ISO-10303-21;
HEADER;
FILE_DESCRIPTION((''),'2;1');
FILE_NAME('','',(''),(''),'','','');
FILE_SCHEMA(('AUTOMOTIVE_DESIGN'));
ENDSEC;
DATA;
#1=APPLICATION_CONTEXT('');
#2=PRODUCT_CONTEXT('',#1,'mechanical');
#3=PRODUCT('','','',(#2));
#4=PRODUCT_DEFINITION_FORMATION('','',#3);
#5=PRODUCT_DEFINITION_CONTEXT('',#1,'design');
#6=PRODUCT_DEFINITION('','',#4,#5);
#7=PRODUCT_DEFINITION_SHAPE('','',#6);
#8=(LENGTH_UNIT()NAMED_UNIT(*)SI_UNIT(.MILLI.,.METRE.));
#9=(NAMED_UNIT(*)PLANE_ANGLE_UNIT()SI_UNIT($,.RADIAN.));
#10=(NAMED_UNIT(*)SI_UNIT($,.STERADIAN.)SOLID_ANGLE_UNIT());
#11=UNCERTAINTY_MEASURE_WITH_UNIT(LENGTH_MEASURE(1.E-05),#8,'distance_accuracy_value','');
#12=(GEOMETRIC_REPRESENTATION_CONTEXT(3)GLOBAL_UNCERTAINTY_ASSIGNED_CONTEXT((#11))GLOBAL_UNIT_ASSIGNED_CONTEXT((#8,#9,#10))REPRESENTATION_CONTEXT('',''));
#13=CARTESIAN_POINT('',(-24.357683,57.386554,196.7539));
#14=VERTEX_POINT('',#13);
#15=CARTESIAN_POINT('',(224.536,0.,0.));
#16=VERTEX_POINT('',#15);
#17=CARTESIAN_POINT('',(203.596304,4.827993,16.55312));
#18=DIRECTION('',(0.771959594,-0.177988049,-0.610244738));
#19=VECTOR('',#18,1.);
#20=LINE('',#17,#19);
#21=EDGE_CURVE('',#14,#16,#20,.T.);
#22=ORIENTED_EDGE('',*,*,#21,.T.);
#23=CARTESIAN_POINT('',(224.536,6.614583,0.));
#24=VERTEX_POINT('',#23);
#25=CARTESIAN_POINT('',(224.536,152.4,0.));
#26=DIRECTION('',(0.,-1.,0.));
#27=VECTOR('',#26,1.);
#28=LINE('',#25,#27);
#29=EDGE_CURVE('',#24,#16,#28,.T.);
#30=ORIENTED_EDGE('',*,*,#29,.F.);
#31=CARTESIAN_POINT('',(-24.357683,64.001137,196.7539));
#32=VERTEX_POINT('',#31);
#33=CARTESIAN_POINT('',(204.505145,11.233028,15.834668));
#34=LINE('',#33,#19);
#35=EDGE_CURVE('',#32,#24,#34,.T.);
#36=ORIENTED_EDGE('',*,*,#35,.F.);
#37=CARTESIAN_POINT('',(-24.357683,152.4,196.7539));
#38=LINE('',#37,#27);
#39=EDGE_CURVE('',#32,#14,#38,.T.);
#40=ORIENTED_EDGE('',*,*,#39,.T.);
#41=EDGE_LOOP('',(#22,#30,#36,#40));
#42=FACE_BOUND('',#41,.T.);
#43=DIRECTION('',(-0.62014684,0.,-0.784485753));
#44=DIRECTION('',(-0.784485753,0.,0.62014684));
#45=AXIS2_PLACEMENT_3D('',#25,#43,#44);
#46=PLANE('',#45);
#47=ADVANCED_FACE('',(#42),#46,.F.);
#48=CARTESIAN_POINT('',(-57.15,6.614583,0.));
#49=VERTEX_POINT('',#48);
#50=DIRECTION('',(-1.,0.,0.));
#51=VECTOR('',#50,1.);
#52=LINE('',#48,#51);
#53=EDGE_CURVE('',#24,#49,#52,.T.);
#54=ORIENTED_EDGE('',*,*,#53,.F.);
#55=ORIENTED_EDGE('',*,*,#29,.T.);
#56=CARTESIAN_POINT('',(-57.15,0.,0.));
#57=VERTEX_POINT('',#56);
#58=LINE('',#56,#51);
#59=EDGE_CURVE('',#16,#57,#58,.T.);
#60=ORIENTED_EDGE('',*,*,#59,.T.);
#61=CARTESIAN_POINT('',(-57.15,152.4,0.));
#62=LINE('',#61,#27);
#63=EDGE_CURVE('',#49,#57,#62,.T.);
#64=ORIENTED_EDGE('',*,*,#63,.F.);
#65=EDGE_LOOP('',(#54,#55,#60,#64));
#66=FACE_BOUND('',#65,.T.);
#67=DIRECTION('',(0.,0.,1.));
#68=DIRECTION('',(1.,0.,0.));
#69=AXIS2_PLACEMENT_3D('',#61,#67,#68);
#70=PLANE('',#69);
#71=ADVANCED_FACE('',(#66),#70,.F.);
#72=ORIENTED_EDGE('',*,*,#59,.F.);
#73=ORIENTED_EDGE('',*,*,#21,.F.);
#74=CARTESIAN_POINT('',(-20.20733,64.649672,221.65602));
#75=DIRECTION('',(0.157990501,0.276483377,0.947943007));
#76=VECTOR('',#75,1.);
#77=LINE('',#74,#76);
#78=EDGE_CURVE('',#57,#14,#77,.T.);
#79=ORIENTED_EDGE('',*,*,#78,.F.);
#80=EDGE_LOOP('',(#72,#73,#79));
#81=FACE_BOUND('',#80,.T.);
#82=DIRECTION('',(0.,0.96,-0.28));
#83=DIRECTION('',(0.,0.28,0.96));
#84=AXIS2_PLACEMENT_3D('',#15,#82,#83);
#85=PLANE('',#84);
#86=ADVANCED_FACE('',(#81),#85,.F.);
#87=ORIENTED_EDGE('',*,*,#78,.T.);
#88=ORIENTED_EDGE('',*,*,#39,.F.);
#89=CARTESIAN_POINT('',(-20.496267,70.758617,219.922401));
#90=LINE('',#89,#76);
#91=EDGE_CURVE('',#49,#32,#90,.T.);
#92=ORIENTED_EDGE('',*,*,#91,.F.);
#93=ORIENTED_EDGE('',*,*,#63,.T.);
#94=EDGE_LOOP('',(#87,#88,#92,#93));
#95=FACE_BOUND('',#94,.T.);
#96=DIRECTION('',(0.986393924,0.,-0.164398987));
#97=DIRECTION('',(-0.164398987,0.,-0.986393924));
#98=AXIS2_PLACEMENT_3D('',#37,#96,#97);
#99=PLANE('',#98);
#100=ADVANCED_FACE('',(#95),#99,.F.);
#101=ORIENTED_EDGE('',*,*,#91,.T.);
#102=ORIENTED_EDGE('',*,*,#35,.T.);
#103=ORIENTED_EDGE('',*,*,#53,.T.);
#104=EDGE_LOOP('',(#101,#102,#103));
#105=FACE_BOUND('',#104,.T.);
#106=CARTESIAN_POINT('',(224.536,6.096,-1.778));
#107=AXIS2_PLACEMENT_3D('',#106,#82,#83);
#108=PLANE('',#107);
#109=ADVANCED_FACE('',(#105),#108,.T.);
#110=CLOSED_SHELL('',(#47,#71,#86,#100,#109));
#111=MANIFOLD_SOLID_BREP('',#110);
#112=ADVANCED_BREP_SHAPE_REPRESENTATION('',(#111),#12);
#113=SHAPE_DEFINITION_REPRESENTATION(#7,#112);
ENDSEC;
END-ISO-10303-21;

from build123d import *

# Parameters (mm, degrees)
BOSS_EXTRUDE1_DEPTH = 152.4
SKETCH3_OUTSIDE_W   = 273.93
SKETCH3_OUTSIDE_H   = 229.576
CUT_EXTRUDE2_DEPTH  = 381.660734008
SHELL1_T            = -6.35
CUT_EXTRUDE3_DEPTH  = 381.660734008


with BuildPart() as part:
    # Sketch2 → Boss-Extrude1 (new body)
    with BuildSketch(Plane(origin=(0, 0, 0), x_dir=(1, 0, 0), z_dir=(0, 1, 0))):
        Polygon((-57.15, 0), (224.536, 0), (-24.357683353, -196.753899884), align=None)
    extrude(amount=BOSS_EXTRUDE1_DEPTH)

    # Sketch3 outside → Cut-Extrude2 (cut, through all)
    with BuildSketch(Plane(origin=(-63.5, 0, 0), x_dir=(0, 0, -1), z_dir=(1, 0, 0))):
        with Locations((-98.377, 76.2)):
            Rectangle(SKETCH3_OUTSIDE_W, SKETCH3_OUTSIDE_H)
        Polygon((0, 152.4), (-152.4, 107.95), (-261.257142857, 76.2), (-152.4, 44.45), (0, 0), align=None, mode=Mode.SUBTRACT)
    extrude(amount=CUT_EXTRUDE2_DEPTH, mode=Mode.SUBTRACT)

    # Shell1
    shell1_openings = [part.faces().sort_by_distance(p)[0] for p in [
        (83.693, 76.2, 0),
    ]]
    offset(amount=SHELL1_T, openings=shell1_openings, kind=Kind.INTERSECTION)

    # Sketch4 → Cut-Extrude3 (cut, through all)
    with BuildSketch(Plane(origin=(-63.5, 0, 0), x_dir=(0, 0, -1), z_dir=(1, 0, 0))):
        Polygon((0, 274.61160546), (-196.753899884, 217.225051327), (-196.753899884, 64.001137466), (0, 6.614583333), align=None)
    extrude(amount=CUT_EXTRUDE3_DEPTH, mode=Mode.SUBTRACT)


solid = part.part
